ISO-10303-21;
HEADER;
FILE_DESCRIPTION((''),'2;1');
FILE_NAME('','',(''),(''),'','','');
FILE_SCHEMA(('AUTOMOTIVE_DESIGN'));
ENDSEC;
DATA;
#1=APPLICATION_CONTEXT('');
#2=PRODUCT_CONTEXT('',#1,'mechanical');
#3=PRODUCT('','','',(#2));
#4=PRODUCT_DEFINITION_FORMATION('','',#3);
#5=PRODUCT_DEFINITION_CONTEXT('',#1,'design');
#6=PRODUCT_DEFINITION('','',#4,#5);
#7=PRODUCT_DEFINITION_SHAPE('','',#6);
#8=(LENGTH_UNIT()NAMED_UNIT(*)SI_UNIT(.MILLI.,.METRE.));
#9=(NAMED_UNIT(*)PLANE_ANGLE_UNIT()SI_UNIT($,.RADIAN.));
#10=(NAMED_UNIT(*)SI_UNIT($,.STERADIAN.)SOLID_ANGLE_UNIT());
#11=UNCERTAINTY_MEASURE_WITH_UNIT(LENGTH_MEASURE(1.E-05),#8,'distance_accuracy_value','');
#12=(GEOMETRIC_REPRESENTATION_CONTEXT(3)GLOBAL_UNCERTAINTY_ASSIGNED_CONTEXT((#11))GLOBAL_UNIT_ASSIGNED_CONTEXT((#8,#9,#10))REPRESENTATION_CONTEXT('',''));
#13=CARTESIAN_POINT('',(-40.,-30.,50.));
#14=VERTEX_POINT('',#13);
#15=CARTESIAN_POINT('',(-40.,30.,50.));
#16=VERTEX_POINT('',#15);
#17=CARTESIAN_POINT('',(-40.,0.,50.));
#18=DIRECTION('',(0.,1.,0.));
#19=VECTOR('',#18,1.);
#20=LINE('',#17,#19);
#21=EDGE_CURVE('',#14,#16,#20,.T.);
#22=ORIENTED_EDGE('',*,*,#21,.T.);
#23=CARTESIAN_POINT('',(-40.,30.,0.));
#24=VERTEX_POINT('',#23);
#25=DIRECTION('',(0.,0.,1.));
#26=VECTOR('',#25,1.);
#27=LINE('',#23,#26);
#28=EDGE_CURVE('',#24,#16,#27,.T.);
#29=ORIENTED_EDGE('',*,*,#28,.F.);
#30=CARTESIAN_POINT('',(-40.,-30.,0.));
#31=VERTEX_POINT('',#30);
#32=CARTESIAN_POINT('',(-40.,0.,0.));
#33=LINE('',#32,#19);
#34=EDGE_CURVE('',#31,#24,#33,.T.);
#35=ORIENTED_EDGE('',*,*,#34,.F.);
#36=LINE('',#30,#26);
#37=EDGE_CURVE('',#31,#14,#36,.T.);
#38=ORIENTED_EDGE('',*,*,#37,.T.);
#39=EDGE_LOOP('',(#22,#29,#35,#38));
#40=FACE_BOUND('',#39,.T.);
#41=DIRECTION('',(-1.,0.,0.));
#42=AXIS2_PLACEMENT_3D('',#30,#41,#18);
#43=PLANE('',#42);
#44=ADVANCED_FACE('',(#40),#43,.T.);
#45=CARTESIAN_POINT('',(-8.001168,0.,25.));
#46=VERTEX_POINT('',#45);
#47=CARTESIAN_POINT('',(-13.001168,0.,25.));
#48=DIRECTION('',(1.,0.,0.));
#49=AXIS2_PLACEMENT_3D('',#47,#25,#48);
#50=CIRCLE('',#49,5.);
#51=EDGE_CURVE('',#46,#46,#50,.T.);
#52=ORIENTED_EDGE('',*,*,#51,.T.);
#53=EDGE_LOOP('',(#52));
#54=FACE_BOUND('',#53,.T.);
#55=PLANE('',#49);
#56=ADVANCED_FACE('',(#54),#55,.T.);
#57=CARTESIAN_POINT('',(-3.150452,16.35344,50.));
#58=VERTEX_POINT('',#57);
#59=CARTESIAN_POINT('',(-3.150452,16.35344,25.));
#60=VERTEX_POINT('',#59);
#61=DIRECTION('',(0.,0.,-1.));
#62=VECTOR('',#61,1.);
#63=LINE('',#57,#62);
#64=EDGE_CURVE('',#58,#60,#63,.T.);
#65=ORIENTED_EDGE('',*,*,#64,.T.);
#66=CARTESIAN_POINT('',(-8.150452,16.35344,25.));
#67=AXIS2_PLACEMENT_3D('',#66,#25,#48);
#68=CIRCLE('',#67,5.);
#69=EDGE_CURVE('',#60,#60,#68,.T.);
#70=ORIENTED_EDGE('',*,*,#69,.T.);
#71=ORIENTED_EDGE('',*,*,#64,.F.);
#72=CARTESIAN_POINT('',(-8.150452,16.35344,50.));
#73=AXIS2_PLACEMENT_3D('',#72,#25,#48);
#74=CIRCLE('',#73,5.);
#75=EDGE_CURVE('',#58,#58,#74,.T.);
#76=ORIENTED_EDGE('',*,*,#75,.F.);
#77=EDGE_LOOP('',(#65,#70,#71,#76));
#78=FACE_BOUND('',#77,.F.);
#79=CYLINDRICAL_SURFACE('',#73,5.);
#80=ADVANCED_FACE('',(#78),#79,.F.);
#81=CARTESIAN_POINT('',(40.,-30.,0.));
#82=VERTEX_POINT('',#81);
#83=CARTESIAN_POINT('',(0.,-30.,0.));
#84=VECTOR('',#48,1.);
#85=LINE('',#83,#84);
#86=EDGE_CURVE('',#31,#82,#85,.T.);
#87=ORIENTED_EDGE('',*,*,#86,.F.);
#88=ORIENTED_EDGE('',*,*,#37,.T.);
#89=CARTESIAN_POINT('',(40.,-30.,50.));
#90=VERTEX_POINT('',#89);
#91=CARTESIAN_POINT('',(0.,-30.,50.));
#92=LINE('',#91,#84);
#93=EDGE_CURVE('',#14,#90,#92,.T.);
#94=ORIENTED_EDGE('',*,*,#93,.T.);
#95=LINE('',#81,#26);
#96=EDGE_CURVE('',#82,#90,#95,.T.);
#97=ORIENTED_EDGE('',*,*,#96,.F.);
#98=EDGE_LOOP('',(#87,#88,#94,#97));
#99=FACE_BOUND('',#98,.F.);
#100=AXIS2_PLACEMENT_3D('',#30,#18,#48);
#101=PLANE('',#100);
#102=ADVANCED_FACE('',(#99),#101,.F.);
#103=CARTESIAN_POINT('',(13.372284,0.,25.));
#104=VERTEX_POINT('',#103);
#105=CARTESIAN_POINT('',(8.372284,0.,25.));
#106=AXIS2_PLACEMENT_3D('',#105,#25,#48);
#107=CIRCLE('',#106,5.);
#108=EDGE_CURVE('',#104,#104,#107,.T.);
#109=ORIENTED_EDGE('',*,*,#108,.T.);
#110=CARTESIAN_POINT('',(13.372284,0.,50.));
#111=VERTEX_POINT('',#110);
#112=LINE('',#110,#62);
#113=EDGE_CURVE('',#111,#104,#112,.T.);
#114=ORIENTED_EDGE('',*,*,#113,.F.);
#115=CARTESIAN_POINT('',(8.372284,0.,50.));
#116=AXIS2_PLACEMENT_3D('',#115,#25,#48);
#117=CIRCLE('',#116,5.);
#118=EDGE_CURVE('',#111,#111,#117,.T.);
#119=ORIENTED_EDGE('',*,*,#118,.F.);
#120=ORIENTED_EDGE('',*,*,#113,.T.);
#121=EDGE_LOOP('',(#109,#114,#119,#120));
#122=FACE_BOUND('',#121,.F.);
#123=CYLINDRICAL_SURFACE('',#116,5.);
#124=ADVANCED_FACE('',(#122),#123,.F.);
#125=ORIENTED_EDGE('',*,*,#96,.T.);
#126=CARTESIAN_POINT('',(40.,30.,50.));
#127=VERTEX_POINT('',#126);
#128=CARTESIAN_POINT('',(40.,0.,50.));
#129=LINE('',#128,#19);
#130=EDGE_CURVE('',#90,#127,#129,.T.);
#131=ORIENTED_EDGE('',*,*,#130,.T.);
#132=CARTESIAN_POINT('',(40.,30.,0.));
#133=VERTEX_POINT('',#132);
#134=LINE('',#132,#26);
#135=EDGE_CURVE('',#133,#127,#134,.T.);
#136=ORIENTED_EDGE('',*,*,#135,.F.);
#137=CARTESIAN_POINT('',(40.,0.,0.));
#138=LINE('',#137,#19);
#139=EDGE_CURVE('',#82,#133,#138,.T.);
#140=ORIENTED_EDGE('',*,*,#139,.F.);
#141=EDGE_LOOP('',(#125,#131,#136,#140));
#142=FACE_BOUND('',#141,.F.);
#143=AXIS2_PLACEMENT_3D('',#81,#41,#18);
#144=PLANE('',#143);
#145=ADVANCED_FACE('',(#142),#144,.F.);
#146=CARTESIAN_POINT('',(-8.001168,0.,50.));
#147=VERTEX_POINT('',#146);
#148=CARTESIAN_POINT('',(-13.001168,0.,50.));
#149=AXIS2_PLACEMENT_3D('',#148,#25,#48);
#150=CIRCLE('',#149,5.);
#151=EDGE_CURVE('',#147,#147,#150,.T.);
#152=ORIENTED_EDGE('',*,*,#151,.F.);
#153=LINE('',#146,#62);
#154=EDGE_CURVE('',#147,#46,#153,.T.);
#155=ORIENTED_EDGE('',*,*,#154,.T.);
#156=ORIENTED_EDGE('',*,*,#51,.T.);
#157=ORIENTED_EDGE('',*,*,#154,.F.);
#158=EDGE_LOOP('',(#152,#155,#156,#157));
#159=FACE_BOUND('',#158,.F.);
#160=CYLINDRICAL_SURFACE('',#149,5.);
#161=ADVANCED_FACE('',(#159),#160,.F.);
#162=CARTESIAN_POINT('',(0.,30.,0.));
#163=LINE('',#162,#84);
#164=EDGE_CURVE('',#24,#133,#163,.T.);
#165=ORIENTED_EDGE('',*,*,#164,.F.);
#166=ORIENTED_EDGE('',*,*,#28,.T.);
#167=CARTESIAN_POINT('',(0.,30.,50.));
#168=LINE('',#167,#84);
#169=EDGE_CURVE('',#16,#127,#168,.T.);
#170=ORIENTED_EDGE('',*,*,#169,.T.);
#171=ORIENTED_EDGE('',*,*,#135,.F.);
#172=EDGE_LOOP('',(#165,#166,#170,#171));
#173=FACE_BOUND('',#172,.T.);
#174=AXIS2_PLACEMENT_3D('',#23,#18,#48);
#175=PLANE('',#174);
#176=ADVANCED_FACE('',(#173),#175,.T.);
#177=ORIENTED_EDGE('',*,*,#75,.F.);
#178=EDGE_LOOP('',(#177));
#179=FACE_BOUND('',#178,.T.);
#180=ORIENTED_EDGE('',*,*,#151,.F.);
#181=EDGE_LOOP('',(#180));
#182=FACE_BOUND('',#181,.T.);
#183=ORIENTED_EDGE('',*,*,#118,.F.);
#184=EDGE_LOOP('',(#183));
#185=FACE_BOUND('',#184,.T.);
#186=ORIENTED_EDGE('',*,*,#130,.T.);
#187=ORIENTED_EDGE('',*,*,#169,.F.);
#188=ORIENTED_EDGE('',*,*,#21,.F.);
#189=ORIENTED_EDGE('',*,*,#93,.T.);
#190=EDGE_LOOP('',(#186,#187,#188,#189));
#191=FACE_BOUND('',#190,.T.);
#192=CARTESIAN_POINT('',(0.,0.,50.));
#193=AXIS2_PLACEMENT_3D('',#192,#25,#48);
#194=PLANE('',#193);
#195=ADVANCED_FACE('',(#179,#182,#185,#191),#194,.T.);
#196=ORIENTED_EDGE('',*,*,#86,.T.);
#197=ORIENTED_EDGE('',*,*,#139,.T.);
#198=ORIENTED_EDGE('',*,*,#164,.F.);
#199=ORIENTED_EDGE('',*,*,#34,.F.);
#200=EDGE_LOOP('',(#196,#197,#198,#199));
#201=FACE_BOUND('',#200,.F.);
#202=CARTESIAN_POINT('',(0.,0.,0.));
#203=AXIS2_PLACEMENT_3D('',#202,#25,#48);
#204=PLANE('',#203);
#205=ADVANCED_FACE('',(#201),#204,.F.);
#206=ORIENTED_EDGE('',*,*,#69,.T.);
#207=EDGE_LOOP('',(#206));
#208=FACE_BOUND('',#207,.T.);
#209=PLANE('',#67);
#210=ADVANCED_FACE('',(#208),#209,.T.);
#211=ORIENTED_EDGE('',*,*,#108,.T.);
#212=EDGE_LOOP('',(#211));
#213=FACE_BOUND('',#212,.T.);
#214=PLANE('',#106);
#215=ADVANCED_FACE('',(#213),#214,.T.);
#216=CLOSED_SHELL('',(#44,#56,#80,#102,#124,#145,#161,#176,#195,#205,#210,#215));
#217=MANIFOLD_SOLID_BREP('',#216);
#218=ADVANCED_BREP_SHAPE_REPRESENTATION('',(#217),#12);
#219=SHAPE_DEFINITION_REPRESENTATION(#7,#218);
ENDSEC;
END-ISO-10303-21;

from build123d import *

# Parameters (mm, degrees)
F0_W     = 80
F0_H     = 60
F1_DEPTH = 50
F2_R     = 5
F3_DEPTH = 25


with BuildPart() as f1:
    # F0 (on Top) → F1 (new body)
    with BuildSketch(Plane.XY):
        Rectangle(F0_W, F0_H)
    extrude(amount=F1_DEPTH)

    # F2 (on face) → F3 (cut)
    with BuildSketch(Plane.XY.offset(50)):
        with Locations((-13.001168, 0)):
            Circle(F2_R)
        with Locations((8.372284, 0)):
            Circle(F2_R)
        with Locations((-8.150452, 16.35344)):
            Circle(F2_R)
    extrude(amount=-F3_DEPTH, mode=Mode.SUBTRACT)


solid = f1.part
